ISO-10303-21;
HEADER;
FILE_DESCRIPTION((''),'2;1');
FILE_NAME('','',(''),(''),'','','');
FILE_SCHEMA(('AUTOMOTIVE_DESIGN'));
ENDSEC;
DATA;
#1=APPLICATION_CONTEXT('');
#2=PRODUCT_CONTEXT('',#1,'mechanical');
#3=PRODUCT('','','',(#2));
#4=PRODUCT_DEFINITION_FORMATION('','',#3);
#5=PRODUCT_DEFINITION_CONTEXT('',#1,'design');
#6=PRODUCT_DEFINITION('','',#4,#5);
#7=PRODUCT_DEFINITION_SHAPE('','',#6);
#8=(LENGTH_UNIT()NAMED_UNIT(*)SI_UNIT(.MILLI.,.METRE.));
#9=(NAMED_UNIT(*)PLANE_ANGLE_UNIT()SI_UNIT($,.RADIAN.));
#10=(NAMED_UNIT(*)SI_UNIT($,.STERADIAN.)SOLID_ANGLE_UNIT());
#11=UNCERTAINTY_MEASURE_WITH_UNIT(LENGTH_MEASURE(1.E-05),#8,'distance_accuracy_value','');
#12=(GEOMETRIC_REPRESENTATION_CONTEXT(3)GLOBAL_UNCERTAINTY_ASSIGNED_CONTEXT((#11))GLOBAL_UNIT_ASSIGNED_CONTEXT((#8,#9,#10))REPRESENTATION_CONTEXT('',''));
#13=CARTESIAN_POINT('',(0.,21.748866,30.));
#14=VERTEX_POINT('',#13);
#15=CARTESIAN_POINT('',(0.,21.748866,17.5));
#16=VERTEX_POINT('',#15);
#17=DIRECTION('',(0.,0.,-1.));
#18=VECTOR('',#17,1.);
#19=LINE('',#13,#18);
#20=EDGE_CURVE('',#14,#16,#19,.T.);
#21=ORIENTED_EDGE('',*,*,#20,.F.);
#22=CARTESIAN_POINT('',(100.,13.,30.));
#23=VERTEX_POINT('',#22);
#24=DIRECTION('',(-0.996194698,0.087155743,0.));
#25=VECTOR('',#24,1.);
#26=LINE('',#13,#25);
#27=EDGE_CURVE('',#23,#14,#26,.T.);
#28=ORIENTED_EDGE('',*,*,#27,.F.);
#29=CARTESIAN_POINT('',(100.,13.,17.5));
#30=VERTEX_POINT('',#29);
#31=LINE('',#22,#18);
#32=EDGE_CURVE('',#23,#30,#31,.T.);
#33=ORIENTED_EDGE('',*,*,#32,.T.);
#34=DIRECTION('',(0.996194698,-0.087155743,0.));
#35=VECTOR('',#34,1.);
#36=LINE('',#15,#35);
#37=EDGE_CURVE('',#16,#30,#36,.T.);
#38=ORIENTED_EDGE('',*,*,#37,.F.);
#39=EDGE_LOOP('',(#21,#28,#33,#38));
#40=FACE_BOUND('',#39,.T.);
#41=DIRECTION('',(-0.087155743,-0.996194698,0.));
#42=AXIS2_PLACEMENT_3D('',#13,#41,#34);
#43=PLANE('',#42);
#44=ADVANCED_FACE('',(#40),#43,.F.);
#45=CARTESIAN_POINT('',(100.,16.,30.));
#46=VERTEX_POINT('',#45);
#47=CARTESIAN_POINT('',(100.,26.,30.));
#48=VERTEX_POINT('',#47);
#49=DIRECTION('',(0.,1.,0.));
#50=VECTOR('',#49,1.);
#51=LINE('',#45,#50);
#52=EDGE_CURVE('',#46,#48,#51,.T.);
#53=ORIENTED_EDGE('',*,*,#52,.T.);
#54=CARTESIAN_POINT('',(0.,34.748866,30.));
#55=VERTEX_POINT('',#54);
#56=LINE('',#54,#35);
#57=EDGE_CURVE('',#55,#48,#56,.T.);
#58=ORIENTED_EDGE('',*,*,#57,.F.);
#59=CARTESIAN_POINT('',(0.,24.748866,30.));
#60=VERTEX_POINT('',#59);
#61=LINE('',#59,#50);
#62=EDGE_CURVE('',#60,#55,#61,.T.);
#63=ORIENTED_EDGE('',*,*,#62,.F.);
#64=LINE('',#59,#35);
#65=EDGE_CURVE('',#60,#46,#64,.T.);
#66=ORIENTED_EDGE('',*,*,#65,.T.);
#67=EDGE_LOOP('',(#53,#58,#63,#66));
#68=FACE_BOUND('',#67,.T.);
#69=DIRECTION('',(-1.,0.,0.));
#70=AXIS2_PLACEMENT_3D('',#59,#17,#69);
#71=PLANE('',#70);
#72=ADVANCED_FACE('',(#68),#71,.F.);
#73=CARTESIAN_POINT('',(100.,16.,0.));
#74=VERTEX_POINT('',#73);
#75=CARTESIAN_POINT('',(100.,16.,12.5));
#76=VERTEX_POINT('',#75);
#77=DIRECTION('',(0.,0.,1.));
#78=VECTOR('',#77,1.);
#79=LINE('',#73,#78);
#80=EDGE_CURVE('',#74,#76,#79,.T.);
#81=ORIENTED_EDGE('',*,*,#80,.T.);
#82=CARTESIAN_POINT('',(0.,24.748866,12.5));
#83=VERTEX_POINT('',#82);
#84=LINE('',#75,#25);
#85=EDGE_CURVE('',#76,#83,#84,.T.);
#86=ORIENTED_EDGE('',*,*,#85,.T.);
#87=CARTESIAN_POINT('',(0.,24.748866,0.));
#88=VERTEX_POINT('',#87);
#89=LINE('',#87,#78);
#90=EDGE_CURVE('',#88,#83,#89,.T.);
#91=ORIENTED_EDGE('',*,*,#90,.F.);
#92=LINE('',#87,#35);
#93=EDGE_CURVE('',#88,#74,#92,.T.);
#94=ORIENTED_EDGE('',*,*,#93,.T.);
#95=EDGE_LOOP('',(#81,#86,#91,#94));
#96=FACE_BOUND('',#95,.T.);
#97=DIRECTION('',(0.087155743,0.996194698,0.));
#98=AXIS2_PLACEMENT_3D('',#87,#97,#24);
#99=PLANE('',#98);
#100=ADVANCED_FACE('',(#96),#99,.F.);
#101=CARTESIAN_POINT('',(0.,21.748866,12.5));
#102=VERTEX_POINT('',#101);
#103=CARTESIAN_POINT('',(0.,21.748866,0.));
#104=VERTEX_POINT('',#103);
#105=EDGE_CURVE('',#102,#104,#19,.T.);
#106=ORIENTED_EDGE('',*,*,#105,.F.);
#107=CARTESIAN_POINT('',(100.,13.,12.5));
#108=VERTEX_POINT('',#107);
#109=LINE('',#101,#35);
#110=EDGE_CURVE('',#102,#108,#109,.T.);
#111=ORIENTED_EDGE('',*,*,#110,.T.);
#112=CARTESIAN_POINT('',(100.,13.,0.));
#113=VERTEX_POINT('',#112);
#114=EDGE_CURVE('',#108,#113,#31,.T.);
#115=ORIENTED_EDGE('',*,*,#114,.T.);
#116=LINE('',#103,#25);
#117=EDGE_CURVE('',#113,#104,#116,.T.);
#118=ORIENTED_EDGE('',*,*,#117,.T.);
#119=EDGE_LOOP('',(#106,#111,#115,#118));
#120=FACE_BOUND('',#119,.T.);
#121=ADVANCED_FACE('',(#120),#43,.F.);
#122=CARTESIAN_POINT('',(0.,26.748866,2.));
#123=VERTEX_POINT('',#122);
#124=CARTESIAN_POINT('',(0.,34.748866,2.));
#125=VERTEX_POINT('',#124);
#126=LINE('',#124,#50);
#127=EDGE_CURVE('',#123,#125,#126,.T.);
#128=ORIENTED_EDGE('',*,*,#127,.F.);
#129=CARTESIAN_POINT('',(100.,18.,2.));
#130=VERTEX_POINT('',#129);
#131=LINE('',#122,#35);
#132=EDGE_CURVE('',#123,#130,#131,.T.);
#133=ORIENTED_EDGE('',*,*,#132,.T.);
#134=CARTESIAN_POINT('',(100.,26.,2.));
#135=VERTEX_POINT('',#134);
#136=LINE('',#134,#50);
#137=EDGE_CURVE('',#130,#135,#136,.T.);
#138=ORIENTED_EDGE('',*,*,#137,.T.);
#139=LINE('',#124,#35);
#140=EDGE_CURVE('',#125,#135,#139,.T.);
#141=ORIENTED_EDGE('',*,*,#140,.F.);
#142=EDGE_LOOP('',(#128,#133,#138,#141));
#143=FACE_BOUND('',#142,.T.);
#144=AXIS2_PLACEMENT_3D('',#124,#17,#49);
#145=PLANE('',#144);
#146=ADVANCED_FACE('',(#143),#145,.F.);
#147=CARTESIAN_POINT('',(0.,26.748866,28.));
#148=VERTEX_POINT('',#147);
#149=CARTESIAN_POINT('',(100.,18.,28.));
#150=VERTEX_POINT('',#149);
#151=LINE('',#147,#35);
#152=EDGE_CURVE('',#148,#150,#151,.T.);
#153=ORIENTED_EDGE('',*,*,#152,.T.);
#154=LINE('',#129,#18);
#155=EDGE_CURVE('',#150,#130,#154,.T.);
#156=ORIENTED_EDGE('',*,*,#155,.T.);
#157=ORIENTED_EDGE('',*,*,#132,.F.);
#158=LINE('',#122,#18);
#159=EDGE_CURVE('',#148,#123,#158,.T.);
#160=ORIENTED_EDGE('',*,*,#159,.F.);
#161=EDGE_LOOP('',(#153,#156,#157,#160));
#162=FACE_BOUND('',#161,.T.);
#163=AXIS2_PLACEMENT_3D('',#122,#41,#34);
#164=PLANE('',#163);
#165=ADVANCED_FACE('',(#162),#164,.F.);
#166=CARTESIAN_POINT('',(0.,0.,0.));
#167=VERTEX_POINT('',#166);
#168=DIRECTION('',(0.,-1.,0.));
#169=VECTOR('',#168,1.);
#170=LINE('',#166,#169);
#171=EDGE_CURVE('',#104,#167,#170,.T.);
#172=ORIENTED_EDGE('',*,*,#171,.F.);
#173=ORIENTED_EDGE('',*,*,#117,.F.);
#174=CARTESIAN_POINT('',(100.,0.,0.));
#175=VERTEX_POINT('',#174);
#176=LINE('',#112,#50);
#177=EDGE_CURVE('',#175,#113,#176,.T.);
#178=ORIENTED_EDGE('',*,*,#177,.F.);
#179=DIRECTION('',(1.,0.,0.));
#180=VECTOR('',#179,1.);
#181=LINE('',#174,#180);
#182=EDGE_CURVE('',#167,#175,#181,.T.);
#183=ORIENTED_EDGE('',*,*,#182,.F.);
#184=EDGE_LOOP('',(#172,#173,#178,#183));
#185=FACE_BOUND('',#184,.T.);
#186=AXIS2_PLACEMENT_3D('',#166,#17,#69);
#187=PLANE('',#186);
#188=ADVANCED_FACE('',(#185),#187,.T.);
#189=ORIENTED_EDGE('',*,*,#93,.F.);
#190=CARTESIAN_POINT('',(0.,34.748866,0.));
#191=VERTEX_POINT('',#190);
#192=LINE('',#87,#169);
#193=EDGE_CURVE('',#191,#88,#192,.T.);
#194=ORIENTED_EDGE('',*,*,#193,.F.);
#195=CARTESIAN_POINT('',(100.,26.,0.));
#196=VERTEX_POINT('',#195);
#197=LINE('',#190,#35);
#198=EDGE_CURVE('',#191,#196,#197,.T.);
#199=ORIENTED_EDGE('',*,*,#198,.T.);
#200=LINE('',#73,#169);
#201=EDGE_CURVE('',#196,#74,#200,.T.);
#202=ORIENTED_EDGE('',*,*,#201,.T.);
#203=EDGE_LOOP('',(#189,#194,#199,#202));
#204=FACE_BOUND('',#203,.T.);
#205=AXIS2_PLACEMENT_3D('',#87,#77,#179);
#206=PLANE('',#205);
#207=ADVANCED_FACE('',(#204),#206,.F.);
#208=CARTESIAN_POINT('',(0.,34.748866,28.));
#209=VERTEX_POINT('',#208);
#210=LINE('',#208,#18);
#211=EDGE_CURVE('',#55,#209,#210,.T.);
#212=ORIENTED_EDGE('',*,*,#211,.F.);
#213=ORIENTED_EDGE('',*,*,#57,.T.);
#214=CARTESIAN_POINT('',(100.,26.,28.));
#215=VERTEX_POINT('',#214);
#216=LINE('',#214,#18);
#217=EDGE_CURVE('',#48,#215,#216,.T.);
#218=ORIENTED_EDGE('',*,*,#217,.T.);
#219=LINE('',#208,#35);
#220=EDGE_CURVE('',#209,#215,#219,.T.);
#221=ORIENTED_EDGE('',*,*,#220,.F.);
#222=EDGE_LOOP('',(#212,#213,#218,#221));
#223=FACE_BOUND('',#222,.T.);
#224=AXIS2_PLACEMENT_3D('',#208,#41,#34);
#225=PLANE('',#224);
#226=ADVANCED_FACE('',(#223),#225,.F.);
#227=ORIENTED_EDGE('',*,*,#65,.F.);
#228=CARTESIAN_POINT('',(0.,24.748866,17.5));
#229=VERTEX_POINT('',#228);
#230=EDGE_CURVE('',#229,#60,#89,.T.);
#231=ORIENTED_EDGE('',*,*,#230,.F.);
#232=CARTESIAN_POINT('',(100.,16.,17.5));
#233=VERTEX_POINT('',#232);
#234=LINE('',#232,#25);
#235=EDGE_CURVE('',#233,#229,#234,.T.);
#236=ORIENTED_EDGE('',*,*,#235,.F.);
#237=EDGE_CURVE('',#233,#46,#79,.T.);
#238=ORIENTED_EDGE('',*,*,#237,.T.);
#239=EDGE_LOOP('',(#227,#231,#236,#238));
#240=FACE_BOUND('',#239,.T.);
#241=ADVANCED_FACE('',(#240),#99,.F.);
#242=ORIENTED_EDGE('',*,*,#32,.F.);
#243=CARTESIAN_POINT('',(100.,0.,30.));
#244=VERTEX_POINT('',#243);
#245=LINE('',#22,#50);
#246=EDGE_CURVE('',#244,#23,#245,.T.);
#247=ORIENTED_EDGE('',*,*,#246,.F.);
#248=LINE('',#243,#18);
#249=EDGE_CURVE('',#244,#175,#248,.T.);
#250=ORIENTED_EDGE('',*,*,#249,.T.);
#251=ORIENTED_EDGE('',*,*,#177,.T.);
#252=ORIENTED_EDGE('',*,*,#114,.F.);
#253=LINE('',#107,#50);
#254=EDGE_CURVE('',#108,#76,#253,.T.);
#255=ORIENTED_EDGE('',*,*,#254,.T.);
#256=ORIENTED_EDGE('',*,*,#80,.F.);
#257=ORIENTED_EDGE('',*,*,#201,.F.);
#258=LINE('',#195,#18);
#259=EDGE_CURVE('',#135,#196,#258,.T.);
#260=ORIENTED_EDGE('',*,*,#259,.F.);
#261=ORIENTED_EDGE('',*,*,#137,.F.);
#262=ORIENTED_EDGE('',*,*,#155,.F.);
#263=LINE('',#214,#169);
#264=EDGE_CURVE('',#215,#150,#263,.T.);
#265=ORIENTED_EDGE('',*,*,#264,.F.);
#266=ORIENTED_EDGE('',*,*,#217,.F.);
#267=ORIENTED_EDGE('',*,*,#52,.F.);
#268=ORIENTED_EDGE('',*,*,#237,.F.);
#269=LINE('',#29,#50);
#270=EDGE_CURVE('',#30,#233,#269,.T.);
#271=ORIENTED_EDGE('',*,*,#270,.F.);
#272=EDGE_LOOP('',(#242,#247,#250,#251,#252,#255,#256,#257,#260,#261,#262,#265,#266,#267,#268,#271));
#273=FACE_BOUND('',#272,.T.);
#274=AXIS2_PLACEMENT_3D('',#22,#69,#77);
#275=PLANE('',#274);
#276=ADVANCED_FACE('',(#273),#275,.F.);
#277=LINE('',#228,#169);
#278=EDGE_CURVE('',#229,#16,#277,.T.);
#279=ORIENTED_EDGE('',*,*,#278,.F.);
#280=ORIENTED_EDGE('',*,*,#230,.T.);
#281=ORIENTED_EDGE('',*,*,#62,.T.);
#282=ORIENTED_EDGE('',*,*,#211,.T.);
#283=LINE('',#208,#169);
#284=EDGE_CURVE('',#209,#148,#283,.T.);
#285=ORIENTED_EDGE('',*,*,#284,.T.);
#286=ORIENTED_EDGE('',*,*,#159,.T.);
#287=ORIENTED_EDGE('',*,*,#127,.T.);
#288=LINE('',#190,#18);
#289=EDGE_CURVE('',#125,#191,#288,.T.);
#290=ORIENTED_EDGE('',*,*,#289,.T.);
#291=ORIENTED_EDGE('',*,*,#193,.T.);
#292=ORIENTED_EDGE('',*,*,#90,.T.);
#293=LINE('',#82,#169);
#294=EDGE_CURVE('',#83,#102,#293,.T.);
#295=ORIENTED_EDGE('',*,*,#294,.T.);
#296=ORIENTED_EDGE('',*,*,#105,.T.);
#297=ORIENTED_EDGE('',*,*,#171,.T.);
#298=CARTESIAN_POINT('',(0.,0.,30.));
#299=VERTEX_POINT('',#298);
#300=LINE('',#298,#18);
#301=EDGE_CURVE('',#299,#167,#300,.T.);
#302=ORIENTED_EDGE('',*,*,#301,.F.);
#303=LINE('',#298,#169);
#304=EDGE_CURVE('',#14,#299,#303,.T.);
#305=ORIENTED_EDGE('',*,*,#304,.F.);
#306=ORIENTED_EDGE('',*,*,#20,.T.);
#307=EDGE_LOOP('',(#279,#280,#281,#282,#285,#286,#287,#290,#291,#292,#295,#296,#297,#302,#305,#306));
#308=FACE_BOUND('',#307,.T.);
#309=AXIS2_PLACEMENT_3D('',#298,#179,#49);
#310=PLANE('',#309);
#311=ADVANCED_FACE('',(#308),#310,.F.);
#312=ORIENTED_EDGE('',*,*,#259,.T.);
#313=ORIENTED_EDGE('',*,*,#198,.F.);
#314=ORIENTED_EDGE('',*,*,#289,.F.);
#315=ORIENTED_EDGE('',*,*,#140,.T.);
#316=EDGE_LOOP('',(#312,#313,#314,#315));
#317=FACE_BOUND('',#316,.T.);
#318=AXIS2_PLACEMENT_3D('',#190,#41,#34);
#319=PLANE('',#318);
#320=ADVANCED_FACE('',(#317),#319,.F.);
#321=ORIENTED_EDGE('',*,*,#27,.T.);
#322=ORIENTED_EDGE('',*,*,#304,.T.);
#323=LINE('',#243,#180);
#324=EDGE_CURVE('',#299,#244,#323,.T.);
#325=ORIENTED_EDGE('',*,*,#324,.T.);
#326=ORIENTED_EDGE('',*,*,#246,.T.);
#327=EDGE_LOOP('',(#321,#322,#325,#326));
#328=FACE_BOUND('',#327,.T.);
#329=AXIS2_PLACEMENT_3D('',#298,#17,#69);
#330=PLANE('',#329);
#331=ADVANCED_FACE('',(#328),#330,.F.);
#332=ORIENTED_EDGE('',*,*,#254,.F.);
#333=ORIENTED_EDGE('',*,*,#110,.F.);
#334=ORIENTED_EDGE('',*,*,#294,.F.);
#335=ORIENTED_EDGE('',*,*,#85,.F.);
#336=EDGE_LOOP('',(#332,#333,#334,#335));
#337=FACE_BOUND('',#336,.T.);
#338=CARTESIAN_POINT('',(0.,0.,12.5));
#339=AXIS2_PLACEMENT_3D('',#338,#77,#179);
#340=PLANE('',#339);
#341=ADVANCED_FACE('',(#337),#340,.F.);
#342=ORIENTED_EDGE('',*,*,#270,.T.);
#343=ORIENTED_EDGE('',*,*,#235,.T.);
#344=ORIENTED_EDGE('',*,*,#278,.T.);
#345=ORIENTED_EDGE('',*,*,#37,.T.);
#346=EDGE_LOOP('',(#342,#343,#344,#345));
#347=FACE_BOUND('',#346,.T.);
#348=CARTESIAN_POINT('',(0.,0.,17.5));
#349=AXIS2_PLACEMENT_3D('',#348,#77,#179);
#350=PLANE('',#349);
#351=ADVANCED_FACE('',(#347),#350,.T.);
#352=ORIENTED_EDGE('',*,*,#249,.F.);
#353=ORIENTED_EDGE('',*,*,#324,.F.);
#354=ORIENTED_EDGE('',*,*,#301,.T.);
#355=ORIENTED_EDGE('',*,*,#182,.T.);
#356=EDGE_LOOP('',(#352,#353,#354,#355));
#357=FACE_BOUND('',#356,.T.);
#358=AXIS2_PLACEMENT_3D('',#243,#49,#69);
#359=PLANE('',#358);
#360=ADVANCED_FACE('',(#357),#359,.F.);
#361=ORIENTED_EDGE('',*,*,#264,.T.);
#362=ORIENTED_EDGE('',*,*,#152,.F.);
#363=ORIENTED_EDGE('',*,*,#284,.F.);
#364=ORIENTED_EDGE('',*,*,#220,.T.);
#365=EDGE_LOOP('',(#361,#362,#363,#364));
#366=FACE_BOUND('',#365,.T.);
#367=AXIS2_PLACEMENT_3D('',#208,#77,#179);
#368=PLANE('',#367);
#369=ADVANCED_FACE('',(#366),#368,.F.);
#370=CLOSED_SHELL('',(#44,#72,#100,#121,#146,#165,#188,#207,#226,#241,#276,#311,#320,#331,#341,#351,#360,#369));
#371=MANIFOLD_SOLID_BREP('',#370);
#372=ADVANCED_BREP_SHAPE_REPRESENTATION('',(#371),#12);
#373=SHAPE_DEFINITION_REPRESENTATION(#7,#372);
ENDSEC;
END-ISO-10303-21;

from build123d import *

# Parameters (mm, degrees)
SALIENTE_EXTRUIR1_DEPTH = 30
SALIENTE_EXTRUIR2_DEPTH = 2.5


with BuildPart() as part:
    # Croquis1 → Saliente-Extruir1 (new body)
    with BuildSketch(Plane.XY):
        Polygon((0, 0), (0, 21.748866353), (100, 13), (100, 0), align=None)
    extrude(amount=SALIENTE_EXTRUIR1_DEPTH)

    # Croquis3 → Saliente-Extruir2 (add, symmetric)
    with BuildSketch(Plane.XY.offset(15)):
        Polygon((0, 21.748866353), (100, 13), (100, 16), (0, 24.748866353), align=None)
    extrude(amount=SALIENTE_EXTRUIR2_DEPTH, both=True)

    # Barrer1: sweep along a path in Croquis4
    with BuildLine(Plane.XY.offset(15)) as barrer1_path:
        Line((0, 24.748866353), (100, 16))
    # Croquis5 → Barrer1 (sweep)
    with BuildSketch(Plane.ZY):
        Polygon((28, 34.748866353), (30, 34.748866353), (30, 24.748866353), (0, 24.748866353), (0, 34.748866353), (2, 34.748866353), (2, 26.748866353), (28, 26.748866353), align=None)
    sweep(path=barrer1_path.line)


solid = part.part
